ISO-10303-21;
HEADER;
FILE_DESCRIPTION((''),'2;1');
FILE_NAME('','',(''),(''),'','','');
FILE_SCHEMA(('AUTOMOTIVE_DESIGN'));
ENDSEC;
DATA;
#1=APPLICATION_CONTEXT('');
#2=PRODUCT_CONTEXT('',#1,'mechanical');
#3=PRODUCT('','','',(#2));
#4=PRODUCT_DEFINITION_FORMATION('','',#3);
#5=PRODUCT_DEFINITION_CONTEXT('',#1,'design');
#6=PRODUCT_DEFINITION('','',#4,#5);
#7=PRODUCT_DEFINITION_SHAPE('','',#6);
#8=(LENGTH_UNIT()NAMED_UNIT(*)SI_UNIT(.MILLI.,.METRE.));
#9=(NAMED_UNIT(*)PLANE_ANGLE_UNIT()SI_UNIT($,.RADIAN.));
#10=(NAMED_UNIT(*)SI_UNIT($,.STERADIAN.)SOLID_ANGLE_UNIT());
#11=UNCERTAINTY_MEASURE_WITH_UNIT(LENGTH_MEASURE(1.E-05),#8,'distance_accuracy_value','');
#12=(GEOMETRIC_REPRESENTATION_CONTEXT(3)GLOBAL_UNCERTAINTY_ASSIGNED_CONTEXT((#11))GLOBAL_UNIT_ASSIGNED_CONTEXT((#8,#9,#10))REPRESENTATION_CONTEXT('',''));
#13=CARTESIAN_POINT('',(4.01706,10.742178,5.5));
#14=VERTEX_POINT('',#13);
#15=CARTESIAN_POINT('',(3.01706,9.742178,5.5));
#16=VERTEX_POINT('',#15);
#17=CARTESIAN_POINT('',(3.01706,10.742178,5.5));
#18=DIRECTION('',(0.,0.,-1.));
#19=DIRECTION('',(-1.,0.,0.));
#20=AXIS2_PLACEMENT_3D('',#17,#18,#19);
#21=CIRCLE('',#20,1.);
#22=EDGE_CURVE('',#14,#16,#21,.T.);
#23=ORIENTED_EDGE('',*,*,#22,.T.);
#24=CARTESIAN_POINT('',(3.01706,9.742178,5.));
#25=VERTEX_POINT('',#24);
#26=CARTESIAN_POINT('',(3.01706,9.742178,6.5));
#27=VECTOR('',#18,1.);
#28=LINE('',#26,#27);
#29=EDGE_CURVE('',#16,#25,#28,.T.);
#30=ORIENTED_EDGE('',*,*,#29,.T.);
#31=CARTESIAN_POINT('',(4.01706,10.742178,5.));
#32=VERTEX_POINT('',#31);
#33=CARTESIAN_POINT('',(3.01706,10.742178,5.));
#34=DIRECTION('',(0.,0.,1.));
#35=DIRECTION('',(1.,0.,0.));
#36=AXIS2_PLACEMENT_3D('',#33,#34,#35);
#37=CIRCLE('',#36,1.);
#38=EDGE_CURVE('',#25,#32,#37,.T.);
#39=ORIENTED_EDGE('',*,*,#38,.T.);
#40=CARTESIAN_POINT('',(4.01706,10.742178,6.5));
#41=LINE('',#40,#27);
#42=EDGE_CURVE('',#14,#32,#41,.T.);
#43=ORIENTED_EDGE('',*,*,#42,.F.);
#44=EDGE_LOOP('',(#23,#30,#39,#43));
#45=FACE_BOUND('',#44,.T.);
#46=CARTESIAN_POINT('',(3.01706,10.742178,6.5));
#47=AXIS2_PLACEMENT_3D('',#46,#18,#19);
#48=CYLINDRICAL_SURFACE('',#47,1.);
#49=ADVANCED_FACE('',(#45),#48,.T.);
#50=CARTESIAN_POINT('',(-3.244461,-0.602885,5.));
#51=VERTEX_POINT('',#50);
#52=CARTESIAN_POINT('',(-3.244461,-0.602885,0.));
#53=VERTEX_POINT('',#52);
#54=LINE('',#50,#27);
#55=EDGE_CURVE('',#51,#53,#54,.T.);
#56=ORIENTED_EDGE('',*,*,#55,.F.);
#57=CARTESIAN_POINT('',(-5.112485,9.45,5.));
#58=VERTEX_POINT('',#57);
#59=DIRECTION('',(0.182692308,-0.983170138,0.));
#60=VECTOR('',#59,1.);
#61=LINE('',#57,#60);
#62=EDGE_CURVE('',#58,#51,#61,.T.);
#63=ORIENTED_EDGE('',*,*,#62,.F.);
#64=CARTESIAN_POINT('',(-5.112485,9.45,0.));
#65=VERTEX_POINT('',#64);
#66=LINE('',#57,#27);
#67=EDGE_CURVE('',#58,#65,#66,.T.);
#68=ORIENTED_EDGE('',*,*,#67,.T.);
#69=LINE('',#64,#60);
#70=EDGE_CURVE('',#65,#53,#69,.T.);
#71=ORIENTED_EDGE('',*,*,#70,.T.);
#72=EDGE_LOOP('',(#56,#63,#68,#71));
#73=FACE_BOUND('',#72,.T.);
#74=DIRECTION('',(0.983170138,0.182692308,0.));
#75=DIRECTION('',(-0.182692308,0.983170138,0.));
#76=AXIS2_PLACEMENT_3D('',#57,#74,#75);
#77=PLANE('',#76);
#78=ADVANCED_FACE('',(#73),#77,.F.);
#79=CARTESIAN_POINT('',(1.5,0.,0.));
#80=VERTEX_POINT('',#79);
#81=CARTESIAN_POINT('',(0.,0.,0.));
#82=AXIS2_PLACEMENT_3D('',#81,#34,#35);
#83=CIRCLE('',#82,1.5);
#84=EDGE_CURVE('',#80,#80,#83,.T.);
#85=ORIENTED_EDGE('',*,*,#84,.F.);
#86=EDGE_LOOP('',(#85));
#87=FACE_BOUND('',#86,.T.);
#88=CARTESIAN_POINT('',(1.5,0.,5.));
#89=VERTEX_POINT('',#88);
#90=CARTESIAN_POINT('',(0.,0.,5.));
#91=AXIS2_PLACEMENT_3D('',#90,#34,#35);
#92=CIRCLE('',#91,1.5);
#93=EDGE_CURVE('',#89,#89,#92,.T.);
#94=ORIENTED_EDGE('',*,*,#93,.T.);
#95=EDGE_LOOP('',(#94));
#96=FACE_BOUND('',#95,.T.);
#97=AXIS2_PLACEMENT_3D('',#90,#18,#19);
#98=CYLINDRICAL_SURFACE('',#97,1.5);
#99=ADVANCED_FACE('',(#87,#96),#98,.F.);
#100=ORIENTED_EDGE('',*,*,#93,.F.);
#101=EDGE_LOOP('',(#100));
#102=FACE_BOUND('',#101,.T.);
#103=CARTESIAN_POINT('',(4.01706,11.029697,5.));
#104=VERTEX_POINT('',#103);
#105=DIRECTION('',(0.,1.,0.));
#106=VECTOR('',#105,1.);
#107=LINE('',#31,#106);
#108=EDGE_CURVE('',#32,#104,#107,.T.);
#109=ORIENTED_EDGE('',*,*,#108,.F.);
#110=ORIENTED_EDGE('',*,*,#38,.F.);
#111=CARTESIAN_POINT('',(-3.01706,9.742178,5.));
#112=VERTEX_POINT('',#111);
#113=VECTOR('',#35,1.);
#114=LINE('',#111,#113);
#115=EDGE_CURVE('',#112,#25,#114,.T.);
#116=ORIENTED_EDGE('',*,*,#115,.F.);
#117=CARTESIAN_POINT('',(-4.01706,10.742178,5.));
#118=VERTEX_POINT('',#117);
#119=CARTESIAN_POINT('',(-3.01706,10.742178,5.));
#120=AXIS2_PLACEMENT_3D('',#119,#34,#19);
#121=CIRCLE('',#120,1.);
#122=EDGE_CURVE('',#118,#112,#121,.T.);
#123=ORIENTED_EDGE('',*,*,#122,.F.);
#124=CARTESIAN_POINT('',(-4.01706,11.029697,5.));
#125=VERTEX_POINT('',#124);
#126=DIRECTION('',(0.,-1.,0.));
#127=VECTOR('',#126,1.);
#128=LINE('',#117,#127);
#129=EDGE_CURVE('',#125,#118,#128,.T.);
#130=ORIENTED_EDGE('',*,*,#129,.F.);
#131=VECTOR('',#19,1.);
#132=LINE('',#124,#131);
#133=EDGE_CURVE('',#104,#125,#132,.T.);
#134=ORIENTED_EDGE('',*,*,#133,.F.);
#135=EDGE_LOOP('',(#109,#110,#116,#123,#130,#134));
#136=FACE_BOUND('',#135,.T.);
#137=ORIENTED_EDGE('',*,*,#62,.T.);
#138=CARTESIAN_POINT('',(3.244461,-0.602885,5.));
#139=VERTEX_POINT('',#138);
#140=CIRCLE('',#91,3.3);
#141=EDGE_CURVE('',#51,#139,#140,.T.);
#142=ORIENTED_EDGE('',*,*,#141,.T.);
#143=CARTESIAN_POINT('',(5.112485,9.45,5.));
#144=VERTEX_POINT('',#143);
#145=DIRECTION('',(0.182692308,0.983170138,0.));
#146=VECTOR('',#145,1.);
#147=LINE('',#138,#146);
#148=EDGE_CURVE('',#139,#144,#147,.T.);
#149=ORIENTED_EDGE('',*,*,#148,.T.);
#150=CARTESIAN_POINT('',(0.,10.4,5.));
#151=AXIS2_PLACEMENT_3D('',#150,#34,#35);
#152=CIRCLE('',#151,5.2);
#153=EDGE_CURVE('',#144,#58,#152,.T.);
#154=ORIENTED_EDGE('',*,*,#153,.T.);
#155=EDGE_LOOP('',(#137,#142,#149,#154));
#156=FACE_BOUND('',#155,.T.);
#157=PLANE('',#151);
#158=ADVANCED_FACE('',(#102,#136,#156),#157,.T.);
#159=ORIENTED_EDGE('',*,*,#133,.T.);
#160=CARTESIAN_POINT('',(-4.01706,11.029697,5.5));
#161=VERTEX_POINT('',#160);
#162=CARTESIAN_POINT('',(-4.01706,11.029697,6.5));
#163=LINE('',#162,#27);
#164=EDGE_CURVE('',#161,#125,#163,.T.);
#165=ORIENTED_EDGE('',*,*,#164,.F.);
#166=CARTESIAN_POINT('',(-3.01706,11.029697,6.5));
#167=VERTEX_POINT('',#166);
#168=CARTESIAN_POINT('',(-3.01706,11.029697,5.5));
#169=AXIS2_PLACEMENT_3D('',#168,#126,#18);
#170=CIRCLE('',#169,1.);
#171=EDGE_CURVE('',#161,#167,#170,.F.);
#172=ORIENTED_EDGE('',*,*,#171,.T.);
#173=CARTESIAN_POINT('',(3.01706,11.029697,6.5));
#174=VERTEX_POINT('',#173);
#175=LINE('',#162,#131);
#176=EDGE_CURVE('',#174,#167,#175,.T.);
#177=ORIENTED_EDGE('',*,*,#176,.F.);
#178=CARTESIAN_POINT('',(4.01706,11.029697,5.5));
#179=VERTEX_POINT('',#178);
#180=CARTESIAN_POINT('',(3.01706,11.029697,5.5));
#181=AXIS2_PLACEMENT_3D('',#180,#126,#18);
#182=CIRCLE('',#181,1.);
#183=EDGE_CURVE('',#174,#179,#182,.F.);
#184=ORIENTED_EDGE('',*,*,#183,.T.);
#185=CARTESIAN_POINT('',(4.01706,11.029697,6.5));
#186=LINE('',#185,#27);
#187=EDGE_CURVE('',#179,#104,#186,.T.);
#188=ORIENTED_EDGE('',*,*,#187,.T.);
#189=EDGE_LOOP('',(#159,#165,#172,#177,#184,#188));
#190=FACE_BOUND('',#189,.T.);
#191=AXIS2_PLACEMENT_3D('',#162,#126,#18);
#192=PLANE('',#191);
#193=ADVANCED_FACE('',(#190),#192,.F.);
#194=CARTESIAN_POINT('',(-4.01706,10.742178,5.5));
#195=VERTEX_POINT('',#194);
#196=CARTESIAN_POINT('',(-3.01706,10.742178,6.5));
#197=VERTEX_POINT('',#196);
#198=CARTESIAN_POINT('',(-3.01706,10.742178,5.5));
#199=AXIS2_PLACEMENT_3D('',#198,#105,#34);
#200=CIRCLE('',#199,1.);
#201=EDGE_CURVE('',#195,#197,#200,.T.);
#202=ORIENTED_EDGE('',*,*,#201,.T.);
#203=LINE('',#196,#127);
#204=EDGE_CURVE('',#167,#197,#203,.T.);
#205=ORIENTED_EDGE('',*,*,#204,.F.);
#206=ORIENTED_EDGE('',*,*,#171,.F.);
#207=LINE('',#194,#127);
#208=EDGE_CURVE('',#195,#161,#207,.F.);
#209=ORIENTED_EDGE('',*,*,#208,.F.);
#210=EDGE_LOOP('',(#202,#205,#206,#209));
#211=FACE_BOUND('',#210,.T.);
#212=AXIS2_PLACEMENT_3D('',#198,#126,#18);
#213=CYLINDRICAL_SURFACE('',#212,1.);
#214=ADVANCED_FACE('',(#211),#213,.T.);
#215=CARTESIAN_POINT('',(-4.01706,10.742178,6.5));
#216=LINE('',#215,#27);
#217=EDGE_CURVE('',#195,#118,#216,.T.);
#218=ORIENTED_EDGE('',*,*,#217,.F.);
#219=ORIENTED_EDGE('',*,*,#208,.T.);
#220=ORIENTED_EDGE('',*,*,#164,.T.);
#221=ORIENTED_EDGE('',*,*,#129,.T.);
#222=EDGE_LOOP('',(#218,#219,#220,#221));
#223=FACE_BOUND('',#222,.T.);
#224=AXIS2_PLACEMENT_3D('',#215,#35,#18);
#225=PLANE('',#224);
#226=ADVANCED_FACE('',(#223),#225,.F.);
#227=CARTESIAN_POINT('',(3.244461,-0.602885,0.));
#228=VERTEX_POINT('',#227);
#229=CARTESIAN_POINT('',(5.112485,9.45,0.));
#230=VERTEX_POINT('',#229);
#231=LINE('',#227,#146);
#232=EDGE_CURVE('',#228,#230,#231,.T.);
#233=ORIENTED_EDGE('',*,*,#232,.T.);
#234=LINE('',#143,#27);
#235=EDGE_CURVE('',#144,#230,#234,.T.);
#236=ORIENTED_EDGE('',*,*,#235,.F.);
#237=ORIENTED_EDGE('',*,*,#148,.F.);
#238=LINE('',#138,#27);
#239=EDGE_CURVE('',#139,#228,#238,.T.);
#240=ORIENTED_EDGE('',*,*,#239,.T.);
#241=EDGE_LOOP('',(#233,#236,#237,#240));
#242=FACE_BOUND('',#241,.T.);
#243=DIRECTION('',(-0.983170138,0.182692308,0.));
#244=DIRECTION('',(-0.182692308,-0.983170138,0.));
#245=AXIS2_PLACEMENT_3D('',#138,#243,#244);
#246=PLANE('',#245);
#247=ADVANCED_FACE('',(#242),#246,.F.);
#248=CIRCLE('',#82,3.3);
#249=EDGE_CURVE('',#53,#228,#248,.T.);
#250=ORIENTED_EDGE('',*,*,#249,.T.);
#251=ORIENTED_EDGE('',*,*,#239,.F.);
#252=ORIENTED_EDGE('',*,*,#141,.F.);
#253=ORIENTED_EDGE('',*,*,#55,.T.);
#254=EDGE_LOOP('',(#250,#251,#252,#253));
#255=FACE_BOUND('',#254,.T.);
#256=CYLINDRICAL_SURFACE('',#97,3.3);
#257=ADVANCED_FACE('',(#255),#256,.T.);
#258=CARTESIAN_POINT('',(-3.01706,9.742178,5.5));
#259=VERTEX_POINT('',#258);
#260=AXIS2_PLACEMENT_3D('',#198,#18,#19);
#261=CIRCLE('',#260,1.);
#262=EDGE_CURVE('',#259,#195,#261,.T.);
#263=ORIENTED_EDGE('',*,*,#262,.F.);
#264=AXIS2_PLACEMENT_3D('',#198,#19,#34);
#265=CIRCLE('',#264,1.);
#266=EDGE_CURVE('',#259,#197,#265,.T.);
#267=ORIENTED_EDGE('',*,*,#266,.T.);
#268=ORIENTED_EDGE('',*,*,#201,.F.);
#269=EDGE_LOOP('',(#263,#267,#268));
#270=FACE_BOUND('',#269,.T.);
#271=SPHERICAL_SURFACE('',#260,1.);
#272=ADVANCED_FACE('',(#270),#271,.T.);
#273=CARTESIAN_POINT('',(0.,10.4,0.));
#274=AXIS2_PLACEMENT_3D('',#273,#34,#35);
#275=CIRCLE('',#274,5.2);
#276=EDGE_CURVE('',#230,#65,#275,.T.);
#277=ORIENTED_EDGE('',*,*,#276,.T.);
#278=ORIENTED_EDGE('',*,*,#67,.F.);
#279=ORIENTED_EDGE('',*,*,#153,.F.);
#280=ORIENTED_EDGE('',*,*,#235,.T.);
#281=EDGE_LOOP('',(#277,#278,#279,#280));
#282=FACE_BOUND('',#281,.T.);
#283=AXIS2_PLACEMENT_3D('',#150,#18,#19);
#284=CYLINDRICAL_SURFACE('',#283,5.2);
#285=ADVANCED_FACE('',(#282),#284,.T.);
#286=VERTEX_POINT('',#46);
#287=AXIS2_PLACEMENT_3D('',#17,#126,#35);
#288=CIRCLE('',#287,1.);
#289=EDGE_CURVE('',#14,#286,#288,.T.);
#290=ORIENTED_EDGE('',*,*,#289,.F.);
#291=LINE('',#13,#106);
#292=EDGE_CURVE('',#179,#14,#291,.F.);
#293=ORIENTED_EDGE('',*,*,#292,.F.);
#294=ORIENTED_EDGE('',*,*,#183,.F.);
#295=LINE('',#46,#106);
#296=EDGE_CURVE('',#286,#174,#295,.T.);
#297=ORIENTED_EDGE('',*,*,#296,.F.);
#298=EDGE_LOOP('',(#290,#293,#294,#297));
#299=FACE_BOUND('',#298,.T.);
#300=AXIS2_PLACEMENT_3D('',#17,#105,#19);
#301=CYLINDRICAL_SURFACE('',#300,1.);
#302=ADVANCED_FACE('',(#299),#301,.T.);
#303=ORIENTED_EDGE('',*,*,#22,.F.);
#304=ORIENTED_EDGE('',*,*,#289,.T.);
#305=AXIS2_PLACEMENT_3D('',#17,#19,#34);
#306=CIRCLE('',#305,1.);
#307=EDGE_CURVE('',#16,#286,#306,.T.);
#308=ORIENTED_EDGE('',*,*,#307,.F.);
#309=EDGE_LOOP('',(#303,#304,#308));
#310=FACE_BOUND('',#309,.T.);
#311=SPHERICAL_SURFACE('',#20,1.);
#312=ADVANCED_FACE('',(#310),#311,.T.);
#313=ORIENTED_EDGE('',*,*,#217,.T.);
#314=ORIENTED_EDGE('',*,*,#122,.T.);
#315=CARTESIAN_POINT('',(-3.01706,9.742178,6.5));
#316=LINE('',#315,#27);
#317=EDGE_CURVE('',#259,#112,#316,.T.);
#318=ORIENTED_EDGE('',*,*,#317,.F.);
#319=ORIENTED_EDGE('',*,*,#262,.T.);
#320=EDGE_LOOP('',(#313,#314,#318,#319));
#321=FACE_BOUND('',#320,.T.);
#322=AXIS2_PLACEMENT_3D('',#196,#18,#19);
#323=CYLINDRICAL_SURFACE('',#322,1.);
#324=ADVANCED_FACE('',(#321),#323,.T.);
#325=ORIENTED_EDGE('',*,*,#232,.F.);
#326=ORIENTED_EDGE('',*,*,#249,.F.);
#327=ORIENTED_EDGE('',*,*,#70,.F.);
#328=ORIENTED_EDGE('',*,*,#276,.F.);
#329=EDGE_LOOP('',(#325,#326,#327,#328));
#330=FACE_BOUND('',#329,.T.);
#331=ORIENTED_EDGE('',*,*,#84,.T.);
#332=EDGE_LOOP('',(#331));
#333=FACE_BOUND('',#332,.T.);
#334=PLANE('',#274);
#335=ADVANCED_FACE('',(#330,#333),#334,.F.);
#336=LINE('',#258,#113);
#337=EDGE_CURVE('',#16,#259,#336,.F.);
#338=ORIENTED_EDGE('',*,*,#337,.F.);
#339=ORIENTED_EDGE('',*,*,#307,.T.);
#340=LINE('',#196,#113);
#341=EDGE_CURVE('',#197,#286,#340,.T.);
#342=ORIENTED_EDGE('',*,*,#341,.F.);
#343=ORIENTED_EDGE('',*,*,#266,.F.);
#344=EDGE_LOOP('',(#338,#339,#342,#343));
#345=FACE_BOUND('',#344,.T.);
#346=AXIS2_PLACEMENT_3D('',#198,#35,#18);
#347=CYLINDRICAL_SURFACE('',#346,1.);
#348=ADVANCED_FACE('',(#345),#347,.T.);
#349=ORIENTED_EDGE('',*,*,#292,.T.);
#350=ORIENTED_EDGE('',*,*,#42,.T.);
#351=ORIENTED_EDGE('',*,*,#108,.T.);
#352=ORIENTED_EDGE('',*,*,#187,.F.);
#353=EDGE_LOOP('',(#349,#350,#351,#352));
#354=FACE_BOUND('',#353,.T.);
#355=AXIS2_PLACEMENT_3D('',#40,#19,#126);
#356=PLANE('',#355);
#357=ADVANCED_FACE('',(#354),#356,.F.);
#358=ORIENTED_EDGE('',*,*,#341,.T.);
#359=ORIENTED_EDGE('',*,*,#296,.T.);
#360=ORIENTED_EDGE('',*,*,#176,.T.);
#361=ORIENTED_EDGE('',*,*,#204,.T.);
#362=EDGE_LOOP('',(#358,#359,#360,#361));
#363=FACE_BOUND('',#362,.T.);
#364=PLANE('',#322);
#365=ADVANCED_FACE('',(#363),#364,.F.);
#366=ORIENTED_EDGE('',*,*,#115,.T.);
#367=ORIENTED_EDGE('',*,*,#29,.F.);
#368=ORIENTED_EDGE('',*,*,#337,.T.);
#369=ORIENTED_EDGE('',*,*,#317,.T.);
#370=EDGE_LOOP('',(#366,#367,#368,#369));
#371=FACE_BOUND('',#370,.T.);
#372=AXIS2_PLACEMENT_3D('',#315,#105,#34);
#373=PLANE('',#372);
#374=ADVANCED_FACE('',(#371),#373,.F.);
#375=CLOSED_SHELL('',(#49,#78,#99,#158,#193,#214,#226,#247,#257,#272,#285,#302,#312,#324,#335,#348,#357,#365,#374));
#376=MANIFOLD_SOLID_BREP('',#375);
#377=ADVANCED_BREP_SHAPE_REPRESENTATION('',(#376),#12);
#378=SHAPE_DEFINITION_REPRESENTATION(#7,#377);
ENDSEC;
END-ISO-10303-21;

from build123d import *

# Parameters (mm, degrees)
SKETCH1_R           = 1.5
BOSS_EXTRUDE1_DEPTH = 5
BOSS_EXTRUDE2_DEPTH = 1.5
FILLET1_R           = 1


with BuildPart() as part:
    # Sketch1 → Boss-Extrude1 (new body)
    with BuildSketch(Plane.XY):
        with BuildLine():
            Line((-5.112484719, 9.45), (-3.244461456, -0.602884615))
            ThreePointArc((-3.244461456, -0.602884615), (0, -3.3), (3.244461456, -0.602884615))
            Line((3.244461456, -0.602884615), (5.112484719, 9.45))
            ThreePointArc((5.112484719, 9.45), (0, 15.6), (-5.112484719, 9.45))
        make_face()
        Circle(SKETCH1_R, mode=Mode.SUBTRACT)
    extrude(amount=BOSS_EXTRUDE1_DEPTH)

    # Sketch2 → Boss-Extrude2 (add)
    with BuildSketch(Plane.XY.offset(5)):
        with BuildLine():
            Line((-3.017059628, 9.742178321), (3.017059628, 9.742178321))
            ThreePointArc((3.017059628, 9.742178321), (3.724166409, 10.03507154), (4.017059628, 10.742178321))
            Line((4.017059628, 10.742178321), (4.017059628, 11.029697433))
            Line((4.017059628, 11.029697433), (-4.017059628, 11.029697433))
            Line((-4.017059628, 11.029697433), (-4.017059628, 10.742178321))
            ThreePointArc((-4.017059628, 10.742178321), (-3.724166409, 10.03507154), (-3.017059628, 9.742178321))
        make_face()
    extrude(amount=BOSS_EXTRUDE2_DEPTH)

    # Fillet1
    fillet1_edges = [part.edges().sort_by_distance(p)[0] for p in [
        (4.017059628, 10.885937877, 6.5),
        (-4.017059628, 10.885937877, 6.5),
        (-3.724166409, 10.03507154, 6.5),
        (0, 9.742178321, 6.5),
        (3.724166409, 10.03507154, 6.5),
    ]]
    fillet(fillet1_edges, radius=FILLET1_R)


solid = part.part
